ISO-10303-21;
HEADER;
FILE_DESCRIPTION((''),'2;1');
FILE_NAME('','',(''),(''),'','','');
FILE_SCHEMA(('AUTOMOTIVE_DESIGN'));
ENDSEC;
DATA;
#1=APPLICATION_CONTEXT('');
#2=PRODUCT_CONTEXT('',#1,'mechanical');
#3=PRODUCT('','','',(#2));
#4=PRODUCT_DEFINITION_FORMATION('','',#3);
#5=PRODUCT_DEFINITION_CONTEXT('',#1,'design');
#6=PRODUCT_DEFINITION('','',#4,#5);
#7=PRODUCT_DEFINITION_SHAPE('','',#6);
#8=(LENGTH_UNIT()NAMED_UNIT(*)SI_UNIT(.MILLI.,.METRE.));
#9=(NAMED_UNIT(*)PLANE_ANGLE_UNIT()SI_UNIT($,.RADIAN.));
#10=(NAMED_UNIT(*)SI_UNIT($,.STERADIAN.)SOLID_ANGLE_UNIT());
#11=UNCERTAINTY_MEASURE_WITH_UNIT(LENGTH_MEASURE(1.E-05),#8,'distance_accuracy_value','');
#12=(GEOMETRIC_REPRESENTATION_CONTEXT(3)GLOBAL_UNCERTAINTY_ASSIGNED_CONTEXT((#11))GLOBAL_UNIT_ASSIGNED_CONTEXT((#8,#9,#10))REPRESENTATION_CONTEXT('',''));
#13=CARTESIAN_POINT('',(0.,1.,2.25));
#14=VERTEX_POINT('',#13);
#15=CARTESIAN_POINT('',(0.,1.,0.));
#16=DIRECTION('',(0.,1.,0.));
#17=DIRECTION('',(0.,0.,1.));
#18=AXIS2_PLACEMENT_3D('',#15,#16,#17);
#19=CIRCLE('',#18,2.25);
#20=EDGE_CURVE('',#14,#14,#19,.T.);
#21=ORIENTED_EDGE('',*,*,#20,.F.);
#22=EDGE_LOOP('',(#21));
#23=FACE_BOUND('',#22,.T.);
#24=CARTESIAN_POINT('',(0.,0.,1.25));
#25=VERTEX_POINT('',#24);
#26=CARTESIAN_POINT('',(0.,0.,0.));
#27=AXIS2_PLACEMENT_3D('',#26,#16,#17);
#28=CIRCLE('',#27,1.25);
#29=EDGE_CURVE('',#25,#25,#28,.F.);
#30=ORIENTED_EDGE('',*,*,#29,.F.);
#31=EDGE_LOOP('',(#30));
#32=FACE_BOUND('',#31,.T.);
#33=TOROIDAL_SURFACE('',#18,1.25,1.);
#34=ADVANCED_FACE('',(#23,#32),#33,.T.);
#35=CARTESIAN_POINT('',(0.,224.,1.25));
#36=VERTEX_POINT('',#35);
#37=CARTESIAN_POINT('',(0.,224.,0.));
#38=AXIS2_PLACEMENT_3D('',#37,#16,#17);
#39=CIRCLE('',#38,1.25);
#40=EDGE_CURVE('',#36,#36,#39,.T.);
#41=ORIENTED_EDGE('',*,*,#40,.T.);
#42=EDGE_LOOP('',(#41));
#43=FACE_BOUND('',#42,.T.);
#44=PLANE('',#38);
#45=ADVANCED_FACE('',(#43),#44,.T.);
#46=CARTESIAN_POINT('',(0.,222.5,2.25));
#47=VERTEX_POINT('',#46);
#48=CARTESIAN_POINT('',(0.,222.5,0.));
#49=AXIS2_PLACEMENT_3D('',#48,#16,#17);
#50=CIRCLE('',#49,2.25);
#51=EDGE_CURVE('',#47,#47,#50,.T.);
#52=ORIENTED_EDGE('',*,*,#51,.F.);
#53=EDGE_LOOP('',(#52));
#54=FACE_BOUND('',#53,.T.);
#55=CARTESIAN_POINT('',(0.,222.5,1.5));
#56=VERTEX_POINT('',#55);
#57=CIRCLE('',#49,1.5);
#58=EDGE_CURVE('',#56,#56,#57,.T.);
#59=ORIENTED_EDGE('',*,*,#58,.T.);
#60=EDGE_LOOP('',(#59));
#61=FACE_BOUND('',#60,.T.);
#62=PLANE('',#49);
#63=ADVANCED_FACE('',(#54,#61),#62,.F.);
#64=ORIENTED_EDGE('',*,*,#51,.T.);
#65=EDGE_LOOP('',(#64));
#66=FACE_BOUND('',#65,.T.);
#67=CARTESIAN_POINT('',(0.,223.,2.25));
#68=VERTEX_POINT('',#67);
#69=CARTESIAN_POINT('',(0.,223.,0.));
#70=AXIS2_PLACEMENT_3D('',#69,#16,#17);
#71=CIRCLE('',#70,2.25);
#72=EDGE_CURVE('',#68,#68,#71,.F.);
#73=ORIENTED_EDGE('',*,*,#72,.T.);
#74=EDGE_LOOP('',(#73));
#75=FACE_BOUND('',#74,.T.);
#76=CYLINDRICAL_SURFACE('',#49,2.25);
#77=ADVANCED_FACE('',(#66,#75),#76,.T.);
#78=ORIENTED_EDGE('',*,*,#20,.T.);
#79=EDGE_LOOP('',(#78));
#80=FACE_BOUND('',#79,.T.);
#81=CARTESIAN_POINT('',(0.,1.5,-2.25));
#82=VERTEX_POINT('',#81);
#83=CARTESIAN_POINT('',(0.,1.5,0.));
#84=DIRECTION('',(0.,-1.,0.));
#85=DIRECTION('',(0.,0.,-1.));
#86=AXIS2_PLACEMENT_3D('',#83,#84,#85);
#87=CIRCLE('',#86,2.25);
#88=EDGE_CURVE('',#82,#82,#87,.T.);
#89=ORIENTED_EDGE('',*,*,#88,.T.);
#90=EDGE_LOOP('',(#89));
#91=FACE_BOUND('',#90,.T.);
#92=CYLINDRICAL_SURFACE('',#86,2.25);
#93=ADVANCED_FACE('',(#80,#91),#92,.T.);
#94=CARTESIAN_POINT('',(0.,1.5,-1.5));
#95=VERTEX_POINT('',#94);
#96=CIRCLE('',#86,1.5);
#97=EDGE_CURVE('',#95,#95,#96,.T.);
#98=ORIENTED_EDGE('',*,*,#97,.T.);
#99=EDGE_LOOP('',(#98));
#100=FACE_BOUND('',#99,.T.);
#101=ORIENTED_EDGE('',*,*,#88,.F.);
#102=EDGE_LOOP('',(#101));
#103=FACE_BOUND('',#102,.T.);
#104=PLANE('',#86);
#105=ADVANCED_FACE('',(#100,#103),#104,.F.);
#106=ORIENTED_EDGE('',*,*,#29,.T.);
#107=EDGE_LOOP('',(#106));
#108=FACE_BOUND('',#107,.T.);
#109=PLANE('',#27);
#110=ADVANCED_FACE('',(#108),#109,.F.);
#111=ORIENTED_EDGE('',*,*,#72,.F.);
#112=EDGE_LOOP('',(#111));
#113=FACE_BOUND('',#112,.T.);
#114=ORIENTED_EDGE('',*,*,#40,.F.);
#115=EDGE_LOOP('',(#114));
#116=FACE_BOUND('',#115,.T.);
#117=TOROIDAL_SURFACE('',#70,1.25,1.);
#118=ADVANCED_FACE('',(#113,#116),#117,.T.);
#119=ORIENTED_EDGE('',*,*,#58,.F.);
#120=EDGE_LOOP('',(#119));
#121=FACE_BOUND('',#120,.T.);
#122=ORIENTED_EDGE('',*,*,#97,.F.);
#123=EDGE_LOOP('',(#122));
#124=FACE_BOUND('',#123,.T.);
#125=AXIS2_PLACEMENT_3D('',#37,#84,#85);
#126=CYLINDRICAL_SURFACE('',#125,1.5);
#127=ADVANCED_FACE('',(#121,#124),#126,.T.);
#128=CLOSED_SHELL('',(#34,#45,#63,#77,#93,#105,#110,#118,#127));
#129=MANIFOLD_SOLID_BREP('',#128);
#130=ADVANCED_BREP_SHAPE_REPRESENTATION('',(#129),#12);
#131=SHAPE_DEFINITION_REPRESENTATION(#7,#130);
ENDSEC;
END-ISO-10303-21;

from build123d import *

# Parameters (mm, degrees)
SKETCH1_R           = 1.5
BOSS_EXTRUDE1_DEPTH = 224
SKETCH2_R           = 2.25
BOSS_EXTRUDE2_DEPTH = 1.5
FILLET1_R           = 1
BOSS_EXTRUDE3_START = -1.5
SKETCH3_R           = 2.25
BOSS_EXTRUDE3_DEPTH = 1.5
FILLET2_R           = 1


with BuildPart() as part:
    # Sketch1 → Boss-Extrude1 (new body)
    with BuildSketch(Plane(origin=(0, 0, 0), x_dir=(1, 0, 0), z_dir=(0, 1, 0))):
        with Locations(Location((0, 0, 0), (0, 0, 270))):
            Circle(SKETCH1_R)
    extrude(amount=BOSS_EXTRUDE1_DEPTH)

    # Sketch2 → Boss-Extrude2 (add)
    with BuildSketch(Plane(origin=(0, 224, 0), x_dir=(1, 0, 0), z_dir=(0, 1, 0))):
        with Locations(Location((0, 0, 0), (0, 0, 270))):
            Circle(SKETCH2_R)
    extrude(amount=-BOSS_EXTRUDE2_DEPTH)

    # Fillet1
    fillet1_edges = [part.edges().sort_by_distance(p)[0] for p in [
        (0, 224, -2.25),
    ]]
    fillet(fillet1_edges, radius=FILLET1_R)

    # Sketch3 → Boss-Extrude3 (add)
    with BuildSketch(Plane.XZ.offset(BOSS_EXTRUDE3_START)):
        with Locations(Location((0, 0, 0), (0, 0, 90))):
            Circle(SKETCH3_R)
    extrude(amount=BOSS_EXTRUDE3_DEPTH)

    # Fillet2
    fillet2_edges = [part.edges().sort_by_distance(p)[0] for p in [
        (0, 0, -2.25),
    ]]
    fillet(fillet2_edges, radius=FILLET2_R)


solid = part.part
